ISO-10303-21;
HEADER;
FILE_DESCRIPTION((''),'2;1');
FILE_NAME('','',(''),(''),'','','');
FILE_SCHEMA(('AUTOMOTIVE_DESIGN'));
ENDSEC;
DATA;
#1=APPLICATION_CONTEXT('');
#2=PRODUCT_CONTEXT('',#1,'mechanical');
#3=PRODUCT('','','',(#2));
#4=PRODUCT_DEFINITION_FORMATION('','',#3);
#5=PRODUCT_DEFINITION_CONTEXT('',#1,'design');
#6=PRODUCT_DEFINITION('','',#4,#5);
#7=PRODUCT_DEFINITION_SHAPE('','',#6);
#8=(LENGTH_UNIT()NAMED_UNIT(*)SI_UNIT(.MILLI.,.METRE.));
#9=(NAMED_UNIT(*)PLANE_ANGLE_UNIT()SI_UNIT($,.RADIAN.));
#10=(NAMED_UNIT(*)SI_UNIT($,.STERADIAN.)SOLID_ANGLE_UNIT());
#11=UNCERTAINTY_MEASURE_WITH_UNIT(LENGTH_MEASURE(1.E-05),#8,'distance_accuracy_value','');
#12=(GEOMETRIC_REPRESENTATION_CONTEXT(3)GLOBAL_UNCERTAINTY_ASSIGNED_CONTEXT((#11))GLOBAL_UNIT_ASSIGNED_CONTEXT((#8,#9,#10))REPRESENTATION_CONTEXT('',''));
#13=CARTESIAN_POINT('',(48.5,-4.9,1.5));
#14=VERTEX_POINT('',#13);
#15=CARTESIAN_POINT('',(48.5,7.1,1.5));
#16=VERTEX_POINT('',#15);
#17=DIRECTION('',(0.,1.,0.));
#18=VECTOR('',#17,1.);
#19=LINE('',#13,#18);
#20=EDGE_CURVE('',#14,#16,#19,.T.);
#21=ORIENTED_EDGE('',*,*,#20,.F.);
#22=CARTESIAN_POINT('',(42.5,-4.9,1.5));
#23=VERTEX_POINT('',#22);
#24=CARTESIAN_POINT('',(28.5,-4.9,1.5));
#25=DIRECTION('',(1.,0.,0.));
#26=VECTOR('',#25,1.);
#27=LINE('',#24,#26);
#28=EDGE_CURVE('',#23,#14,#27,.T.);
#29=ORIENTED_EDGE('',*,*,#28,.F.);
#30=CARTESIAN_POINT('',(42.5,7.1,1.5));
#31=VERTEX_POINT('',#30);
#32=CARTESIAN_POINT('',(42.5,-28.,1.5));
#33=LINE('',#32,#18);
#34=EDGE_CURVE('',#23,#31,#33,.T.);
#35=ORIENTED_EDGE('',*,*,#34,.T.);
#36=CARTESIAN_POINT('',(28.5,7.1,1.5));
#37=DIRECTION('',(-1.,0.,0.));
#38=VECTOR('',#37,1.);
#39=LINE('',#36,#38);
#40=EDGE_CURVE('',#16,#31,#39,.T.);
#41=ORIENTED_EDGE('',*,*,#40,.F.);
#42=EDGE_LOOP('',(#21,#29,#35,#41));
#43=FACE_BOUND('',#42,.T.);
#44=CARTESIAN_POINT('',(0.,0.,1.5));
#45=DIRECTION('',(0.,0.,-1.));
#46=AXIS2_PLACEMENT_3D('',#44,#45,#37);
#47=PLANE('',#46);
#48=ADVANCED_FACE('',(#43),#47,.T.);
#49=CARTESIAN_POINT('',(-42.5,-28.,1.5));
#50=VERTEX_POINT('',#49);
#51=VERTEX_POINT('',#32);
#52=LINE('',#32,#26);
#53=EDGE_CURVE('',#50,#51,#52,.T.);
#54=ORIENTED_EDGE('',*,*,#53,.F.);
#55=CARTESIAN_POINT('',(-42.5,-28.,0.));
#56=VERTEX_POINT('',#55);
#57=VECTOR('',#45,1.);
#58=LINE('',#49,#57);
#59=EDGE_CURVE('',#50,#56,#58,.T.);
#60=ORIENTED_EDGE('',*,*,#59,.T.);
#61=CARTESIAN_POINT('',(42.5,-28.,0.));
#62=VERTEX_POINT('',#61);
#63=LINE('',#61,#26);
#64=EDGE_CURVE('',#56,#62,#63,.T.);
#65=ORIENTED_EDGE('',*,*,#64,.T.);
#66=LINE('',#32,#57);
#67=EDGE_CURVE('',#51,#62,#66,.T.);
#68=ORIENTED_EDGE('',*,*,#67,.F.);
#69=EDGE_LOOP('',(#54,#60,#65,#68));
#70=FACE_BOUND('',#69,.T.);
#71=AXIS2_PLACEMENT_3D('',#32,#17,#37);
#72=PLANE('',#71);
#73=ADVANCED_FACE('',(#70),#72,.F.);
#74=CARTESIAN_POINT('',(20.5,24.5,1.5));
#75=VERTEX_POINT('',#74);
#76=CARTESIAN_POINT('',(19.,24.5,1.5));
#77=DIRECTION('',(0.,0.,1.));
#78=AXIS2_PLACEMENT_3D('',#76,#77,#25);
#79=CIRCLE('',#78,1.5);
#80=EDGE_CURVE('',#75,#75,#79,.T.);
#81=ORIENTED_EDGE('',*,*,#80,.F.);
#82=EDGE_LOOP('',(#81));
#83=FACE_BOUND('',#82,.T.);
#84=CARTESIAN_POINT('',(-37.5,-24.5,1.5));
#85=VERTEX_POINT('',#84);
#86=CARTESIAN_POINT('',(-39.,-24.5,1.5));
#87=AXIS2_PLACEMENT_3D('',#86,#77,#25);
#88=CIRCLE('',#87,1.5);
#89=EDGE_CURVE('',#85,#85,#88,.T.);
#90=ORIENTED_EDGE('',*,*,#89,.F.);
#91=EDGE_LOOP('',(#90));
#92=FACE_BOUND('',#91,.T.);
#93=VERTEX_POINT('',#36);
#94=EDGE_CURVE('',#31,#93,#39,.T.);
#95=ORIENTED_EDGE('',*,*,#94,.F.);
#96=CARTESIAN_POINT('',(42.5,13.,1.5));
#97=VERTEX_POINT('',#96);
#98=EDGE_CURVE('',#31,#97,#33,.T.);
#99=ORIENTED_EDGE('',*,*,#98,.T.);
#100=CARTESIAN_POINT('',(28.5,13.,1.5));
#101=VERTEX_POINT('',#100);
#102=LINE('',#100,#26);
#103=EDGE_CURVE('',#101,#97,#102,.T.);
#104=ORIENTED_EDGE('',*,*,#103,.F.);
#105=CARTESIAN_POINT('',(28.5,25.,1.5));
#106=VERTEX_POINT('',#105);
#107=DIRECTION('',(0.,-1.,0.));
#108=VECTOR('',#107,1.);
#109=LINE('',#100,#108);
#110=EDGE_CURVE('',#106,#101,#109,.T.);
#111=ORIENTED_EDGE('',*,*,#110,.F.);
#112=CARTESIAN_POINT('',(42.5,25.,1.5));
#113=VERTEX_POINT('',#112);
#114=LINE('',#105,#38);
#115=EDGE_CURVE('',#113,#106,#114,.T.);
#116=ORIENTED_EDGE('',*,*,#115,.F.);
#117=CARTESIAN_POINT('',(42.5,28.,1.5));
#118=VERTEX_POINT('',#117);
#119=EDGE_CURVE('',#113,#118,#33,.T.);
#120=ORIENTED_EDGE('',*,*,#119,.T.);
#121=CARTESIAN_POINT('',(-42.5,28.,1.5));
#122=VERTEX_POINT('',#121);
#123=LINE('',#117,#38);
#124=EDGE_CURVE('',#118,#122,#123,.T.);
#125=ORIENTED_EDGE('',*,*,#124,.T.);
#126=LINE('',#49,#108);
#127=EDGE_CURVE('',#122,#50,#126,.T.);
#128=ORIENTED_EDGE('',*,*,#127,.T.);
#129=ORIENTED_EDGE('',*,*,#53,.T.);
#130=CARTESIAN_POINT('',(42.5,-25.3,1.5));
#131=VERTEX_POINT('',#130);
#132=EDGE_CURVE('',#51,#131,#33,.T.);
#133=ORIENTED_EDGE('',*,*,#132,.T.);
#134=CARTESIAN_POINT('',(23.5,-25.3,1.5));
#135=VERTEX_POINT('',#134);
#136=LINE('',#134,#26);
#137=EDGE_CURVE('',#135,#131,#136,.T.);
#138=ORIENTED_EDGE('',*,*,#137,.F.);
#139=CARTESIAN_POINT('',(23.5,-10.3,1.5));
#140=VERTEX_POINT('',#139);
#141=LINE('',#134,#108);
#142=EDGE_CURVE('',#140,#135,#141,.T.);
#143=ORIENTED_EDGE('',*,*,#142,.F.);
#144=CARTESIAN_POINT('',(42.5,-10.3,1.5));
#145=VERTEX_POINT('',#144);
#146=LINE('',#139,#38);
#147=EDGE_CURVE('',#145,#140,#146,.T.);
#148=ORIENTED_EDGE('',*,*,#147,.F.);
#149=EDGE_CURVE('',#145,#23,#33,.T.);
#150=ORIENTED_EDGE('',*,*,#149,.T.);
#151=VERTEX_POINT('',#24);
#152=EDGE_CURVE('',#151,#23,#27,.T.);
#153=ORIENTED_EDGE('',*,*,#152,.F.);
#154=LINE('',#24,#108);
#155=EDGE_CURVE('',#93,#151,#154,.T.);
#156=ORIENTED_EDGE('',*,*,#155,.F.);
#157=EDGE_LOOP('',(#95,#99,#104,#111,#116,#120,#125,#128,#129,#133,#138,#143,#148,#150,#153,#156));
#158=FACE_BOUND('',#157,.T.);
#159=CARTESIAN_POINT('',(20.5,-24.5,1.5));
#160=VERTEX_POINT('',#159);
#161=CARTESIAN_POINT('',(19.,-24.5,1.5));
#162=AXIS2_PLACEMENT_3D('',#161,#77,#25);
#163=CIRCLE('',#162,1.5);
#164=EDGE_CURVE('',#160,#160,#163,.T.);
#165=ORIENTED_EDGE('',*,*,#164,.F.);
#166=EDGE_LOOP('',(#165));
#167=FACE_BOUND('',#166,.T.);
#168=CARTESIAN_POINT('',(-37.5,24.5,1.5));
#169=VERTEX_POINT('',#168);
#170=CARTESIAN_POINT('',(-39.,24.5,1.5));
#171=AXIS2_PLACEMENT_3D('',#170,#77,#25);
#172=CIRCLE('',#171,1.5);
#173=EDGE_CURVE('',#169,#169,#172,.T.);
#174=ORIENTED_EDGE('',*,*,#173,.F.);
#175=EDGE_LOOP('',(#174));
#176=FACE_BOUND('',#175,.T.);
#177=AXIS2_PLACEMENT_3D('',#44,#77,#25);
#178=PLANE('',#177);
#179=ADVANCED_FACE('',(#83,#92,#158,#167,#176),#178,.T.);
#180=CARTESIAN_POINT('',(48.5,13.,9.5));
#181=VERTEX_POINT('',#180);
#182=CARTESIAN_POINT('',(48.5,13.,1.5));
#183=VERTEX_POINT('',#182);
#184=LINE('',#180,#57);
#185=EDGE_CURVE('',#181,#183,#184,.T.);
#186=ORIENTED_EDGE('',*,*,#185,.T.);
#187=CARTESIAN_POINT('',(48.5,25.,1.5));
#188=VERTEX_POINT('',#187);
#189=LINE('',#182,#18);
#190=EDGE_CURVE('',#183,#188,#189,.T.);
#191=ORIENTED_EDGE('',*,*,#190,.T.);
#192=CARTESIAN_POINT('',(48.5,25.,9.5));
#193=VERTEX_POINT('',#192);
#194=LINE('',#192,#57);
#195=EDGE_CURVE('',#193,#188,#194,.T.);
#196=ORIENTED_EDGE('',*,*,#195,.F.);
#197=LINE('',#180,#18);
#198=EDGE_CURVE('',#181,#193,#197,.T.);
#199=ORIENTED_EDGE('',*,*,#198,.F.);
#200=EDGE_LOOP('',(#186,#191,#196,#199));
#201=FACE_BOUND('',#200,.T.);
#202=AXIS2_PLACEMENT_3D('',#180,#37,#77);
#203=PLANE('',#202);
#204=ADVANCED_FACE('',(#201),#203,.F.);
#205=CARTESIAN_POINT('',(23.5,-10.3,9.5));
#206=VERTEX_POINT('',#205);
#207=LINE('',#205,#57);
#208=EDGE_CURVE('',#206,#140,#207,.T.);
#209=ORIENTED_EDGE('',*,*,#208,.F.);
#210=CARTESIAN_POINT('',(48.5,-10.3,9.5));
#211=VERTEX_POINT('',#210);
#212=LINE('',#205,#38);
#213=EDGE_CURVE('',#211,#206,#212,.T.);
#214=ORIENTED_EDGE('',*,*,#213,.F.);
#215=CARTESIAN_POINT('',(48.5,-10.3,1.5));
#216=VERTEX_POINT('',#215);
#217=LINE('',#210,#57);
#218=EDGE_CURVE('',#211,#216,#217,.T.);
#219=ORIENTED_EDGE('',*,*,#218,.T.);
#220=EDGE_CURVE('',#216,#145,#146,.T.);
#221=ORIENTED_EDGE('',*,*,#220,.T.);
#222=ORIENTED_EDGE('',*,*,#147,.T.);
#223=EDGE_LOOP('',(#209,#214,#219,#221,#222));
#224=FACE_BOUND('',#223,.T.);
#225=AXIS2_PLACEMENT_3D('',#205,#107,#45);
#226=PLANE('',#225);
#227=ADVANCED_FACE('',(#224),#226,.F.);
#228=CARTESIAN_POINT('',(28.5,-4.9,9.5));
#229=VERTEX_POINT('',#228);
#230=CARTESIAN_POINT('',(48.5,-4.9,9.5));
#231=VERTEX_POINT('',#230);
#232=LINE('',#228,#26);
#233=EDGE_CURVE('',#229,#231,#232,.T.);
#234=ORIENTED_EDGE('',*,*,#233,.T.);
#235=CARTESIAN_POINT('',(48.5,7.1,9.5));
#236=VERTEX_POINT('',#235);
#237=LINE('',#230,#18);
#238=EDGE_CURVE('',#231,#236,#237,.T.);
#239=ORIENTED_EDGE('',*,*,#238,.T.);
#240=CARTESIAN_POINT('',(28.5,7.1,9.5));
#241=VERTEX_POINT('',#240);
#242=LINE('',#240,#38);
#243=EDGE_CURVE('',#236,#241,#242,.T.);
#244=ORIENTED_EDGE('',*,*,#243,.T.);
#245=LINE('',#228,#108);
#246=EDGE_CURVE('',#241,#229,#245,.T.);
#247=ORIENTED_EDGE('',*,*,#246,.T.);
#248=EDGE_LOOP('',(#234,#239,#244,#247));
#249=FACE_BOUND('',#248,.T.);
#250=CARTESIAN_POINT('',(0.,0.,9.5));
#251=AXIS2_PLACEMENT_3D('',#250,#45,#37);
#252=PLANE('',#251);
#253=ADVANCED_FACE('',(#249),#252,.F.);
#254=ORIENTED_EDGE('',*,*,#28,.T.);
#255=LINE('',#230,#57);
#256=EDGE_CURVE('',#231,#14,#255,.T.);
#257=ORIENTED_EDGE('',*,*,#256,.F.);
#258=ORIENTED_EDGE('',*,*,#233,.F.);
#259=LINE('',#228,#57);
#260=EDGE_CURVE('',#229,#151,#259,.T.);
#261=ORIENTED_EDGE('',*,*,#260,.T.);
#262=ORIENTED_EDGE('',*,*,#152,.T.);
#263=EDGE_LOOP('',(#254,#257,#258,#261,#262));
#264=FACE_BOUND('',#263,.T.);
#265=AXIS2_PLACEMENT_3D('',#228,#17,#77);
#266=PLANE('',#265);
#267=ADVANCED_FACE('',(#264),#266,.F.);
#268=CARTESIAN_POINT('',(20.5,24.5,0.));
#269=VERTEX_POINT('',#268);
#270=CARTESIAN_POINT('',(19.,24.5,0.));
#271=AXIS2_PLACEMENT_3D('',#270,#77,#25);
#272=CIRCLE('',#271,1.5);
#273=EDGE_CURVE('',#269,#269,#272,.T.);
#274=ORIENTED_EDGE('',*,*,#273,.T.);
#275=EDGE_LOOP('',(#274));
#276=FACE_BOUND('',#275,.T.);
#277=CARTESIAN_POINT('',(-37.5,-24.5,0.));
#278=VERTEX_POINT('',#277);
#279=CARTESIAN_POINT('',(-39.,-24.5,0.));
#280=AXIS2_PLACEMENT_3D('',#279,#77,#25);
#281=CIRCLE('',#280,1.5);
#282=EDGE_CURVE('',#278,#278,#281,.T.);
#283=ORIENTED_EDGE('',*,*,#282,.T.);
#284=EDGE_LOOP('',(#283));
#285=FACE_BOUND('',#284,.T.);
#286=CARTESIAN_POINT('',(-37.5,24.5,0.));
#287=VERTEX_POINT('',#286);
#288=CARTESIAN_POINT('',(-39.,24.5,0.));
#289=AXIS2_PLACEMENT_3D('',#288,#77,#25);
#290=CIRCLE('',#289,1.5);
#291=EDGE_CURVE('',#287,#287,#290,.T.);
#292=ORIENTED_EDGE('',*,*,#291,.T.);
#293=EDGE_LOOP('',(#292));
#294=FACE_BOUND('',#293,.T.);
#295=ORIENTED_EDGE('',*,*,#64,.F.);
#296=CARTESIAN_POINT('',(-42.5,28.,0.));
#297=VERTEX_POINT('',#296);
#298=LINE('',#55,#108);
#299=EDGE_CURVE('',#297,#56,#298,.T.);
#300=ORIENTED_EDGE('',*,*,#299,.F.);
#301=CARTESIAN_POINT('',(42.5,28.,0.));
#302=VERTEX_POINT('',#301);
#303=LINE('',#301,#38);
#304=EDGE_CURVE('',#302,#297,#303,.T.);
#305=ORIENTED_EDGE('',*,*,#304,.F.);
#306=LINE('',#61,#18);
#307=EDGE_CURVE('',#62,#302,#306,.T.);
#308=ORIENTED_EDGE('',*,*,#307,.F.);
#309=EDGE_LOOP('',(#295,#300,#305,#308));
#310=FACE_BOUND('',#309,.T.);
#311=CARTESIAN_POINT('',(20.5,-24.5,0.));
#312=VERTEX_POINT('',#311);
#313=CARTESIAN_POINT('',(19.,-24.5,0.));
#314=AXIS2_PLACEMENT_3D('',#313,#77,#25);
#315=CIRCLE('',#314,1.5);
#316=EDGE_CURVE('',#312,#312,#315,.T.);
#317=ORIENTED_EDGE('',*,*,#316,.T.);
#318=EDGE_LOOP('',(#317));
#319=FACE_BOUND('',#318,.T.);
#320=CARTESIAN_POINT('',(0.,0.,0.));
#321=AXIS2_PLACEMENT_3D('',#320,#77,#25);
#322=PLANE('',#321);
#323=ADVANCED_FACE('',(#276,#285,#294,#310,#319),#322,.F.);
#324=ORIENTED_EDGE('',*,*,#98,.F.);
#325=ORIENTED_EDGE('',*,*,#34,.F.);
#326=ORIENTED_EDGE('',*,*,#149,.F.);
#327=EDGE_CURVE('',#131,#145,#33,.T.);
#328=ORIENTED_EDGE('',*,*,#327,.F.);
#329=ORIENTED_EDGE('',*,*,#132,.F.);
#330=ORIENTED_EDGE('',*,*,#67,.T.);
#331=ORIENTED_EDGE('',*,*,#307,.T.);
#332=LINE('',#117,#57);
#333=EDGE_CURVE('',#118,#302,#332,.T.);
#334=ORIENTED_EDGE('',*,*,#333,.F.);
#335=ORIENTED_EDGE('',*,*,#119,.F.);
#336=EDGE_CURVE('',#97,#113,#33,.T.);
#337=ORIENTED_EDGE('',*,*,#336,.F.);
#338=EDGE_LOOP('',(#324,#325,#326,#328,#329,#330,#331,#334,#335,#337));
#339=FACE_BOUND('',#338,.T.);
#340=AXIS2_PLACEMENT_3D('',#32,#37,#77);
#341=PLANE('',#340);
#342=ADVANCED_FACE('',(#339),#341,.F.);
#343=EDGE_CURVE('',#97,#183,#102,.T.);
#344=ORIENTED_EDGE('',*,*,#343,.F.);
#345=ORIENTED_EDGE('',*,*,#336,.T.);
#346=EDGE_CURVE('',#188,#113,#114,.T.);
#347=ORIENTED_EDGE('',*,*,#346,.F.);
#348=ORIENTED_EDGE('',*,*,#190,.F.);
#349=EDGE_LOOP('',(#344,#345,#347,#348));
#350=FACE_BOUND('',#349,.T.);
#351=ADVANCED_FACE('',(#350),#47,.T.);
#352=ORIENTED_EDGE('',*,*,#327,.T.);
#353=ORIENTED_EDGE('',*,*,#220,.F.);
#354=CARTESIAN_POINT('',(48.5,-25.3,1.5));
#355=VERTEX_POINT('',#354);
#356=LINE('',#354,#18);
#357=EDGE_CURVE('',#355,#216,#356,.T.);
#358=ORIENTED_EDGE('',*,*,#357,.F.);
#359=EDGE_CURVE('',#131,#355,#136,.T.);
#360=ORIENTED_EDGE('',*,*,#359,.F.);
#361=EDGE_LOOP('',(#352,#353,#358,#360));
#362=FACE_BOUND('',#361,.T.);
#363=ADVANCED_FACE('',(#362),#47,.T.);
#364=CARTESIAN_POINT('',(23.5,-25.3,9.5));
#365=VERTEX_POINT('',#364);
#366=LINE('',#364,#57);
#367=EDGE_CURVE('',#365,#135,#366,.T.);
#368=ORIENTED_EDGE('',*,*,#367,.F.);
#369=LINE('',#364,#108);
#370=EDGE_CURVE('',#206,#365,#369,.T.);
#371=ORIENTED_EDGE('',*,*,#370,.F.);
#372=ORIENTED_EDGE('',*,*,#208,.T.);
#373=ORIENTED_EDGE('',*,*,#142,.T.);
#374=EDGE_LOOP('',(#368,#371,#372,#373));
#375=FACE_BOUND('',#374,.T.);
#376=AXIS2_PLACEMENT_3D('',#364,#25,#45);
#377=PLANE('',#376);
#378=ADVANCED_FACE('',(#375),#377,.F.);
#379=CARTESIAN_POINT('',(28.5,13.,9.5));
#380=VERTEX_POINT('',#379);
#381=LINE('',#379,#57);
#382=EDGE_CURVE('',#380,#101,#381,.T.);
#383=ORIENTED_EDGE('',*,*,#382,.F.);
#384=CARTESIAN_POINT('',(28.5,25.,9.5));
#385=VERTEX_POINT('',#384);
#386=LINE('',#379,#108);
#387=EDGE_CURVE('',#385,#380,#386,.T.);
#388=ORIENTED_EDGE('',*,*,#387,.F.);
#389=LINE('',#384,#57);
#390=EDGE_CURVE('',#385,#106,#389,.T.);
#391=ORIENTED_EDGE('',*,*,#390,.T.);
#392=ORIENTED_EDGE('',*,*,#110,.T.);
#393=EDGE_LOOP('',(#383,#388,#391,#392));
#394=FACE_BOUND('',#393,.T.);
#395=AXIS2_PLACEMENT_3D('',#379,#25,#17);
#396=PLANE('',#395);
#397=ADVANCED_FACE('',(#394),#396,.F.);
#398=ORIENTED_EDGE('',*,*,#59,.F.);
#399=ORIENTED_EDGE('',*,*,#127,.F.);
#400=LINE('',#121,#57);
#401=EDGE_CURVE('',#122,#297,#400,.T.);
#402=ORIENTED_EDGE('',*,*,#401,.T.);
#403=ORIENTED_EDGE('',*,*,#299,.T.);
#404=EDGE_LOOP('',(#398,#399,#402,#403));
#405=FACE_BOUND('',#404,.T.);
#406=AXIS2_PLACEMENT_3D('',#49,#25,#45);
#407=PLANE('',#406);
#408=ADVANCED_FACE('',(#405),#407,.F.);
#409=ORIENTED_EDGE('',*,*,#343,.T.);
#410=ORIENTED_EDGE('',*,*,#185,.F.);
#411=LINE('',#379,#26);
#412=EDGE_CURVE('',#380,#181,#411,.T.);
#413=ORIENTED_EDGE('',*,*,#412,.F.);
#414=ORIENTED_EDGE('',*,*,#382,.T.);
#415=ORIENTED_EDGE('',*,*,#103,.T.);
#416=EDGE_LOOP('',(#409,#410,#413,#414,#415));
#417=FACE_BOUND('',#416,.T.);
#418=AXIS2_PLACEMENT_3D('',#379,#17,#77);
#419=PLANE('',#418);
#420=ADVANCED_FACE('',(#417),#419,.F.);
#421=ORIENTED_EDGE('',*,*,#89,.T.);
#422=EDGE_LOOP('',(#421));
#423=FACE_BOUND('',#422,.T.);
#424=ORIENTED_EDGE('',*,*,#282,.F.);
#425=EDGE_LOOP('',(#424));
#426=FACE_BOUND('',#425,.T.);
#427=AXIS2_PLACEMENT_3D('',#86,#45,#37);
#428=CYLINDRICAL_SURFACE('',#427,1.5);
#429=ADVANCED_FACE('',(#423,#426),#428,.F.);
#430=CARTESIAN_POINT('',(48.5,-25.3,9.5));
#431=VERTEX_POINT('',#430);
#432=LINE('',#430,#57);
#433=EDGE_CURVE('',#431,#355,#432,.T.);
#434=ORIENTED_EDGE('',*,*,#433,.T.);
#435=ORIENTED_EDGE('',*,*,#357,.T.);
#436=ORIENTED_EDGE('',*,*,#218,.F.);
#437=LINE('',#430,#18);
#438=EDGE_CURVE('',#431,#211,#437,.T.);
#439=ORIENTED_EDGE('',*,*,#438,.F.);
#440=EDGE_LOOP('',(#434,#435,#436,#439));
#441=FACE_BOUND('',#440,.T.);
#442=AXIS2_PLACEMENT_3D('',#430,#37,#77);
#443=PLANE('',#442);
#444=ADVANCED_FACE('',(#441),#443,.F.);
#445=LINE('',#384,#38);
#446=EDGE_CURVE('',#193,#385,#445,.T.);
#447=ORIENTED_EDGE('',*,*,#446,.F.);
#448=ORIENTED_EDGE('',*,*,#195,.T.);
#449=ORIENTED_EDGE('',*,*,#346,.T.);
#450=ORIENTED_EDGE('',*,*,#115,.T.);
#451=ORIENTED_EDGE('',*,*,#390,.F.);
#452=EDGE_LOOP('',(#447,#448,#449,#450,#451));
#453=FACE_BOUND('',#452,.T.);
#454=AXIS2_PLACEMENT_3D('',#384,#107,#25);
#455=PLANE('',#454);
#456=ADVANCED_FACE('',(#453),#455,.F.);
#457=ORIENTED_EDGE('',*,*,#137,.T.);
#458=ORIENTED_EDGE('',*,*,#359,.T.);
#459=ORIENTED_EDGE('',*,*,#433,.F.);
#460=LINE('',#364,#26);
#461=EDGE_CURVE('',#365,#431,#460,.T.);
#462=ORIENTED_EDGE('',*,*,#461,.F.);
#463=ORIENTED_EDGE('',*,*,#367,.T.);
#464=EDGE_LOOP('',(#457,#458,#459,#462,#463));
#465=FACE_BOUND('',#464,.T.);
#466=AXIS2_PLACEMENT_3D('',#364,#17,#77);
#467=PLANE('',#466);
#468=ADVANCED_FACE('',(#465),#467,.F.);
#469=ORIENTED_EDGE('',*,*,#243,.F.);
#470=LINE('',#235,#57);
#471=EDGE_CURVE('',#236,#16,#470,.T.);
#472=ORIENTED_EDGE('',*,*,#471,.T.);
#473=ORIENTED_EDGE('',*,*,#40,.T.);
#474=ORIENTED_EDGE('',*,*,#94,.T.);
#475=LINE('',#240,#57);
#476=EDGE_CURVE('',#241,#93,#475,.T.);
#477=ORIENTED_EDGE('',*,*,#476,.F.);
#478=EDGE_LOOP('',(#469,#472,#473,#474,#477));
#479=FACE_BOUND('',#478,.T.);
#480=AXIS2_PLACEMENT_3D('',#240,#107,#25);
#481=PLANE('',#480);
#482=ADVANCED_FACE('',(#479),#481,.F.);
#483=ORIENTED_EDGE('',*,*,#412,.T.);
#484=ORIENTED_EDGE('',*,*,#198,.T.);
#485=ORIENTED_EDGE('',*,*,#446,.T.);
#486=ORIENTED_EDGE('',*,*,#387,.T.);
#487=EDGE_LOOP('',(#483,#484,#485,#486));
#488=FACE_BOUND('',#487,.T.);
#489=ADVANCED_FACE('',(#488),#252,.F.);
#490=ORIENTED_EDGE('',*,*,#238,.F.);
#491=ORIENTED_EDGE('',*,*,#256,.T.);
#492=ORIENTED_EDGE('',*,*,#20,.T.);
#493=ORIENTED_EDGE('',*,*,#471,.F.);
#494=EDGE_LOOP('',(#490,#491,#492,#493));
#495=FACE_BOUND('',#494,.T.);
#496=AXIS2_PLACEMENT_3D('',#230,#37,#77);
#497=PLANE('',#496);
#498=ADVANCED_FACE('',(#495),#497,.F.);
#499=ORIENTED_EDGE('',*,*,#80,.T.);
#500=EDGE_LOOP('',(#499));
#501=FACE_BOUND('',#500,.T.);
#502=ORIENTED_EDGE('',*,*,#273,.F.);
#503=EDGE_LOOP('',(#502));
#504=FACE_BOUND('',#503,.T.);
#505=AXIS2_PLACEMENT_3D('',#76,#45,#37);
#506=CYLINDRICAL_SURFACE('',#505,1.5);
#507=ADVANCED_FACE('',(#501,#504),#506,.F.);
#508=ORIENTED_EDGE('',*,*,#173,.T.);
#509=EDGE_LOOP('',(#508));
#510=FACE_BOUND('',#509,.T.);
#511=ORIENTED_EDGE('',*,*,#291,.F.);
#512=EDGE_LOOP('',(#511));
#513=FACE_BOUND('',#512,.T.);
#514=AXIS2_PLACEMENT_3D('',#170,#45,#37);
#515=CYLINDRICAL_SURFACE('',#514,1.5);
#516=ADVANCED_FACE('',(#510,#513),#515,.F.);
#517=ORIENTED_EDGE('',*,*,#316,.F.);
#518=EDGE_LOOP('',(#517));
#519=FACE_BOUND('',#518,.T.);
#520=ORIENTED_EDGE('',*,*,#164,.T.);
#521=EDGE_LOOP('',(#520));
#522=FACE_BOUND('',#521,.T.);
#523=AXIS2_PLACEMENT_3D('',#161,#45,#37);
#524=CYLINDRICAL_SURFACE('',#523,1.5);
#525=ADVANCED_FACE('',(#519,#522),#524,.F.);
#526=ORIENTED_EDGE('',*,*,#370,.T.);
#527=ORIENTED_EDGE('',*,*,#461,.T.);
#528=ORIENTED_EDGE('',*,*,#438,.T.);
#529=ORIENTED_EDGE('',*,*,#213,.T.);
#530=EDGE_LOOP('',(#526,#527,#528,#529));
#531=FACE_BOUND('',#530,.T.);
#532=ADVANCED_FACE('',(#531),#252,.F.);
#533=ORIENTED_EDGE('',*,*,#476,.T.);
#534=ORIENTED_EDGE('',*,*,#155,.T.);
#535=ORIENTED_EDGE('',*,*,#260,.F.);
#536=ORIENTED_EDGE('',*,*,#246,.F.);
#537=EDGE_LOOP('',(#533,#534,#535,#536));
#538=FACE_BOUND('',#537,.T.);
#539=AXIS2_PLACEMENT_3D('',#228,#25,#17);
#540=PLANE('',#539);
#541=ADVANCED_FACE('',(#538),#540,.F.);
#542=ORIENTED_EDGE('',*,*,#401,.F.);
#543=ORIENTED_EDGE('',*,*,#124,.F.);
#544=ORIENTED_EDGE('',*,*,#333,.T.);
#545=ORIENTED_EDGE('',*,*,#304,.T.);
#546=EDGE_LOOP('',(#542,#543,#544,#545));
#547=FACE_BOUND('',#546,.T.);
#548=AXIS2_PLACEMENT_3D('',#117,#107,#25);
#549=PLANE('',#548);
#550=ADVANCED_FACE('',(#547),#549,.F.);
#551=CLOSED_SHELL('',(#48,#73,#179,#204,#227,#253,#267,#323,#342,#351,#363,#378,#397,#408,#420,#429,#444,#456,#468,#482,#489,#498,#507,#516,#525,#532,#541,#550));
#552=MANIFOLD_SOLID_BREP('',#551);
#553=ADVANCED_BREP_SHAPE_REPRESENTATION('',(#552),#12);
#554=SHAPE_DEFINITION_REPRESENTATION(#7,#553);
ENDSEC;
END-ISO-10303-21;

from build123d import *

# Parameters (mm, degrees)
SKETCH1_W           = 85
SKETCH1_H           = 56
SKETCH1_R           = 1.5
BOSS_EXTRUDE1_DEPTH = 1.5
SKETCH2_W           = 25
SKETCH2_H           = 15
SKETCH2_W_2         = 20
SKETCH2_H_2         = 12
BOSS_EXTRUDE2_DEPTH = 8


with BuildPart() as part:
    # Sketch1 → Boss-Extrude1 (new body)
    with BuildSketch(Plane.XY):
        Rectangle(SKETCH1_W, SKETCH1_H)
        with Locations((-39, 24.5)):
            Circle(SKETCH1_R, mode=Mode.SUBTRACT)
        with Locations((19, 24.5)):
            Circle(SKETCH1_R, mode=Mode.SUBTRACT)
        with Locations((19, -24.5)):
            Circle(SKETCH1_R, mode=Mode.SUBTRACT)
        with Locations((-39, -24.5)):
            Circle(SKETCH1_R, mode=Mode.SUBTRACT)
    extrude(amount=BOSS_EXTRUDE1_DEPTH)

    # Sketch2 → Boss-Extrude2 (add)
    with BuildSketch(Plane.XY.offset(1.5)):
        with Locations((36, -17.8)):
            Rectangle(SKETCH2_W, SKETCH2_H)
        with Locations((38.5, 1.1)):
            Rectangle(SKETCH2_W_2, SKETCH2_H_2)
        with Locations((38.5, 19)):
            Rectangle(SKETCH2_W_2, SKETCH2_H_2)
    extrude(amount=BOSS_EXTRUDE2_DEPTH)


solid = part.part
